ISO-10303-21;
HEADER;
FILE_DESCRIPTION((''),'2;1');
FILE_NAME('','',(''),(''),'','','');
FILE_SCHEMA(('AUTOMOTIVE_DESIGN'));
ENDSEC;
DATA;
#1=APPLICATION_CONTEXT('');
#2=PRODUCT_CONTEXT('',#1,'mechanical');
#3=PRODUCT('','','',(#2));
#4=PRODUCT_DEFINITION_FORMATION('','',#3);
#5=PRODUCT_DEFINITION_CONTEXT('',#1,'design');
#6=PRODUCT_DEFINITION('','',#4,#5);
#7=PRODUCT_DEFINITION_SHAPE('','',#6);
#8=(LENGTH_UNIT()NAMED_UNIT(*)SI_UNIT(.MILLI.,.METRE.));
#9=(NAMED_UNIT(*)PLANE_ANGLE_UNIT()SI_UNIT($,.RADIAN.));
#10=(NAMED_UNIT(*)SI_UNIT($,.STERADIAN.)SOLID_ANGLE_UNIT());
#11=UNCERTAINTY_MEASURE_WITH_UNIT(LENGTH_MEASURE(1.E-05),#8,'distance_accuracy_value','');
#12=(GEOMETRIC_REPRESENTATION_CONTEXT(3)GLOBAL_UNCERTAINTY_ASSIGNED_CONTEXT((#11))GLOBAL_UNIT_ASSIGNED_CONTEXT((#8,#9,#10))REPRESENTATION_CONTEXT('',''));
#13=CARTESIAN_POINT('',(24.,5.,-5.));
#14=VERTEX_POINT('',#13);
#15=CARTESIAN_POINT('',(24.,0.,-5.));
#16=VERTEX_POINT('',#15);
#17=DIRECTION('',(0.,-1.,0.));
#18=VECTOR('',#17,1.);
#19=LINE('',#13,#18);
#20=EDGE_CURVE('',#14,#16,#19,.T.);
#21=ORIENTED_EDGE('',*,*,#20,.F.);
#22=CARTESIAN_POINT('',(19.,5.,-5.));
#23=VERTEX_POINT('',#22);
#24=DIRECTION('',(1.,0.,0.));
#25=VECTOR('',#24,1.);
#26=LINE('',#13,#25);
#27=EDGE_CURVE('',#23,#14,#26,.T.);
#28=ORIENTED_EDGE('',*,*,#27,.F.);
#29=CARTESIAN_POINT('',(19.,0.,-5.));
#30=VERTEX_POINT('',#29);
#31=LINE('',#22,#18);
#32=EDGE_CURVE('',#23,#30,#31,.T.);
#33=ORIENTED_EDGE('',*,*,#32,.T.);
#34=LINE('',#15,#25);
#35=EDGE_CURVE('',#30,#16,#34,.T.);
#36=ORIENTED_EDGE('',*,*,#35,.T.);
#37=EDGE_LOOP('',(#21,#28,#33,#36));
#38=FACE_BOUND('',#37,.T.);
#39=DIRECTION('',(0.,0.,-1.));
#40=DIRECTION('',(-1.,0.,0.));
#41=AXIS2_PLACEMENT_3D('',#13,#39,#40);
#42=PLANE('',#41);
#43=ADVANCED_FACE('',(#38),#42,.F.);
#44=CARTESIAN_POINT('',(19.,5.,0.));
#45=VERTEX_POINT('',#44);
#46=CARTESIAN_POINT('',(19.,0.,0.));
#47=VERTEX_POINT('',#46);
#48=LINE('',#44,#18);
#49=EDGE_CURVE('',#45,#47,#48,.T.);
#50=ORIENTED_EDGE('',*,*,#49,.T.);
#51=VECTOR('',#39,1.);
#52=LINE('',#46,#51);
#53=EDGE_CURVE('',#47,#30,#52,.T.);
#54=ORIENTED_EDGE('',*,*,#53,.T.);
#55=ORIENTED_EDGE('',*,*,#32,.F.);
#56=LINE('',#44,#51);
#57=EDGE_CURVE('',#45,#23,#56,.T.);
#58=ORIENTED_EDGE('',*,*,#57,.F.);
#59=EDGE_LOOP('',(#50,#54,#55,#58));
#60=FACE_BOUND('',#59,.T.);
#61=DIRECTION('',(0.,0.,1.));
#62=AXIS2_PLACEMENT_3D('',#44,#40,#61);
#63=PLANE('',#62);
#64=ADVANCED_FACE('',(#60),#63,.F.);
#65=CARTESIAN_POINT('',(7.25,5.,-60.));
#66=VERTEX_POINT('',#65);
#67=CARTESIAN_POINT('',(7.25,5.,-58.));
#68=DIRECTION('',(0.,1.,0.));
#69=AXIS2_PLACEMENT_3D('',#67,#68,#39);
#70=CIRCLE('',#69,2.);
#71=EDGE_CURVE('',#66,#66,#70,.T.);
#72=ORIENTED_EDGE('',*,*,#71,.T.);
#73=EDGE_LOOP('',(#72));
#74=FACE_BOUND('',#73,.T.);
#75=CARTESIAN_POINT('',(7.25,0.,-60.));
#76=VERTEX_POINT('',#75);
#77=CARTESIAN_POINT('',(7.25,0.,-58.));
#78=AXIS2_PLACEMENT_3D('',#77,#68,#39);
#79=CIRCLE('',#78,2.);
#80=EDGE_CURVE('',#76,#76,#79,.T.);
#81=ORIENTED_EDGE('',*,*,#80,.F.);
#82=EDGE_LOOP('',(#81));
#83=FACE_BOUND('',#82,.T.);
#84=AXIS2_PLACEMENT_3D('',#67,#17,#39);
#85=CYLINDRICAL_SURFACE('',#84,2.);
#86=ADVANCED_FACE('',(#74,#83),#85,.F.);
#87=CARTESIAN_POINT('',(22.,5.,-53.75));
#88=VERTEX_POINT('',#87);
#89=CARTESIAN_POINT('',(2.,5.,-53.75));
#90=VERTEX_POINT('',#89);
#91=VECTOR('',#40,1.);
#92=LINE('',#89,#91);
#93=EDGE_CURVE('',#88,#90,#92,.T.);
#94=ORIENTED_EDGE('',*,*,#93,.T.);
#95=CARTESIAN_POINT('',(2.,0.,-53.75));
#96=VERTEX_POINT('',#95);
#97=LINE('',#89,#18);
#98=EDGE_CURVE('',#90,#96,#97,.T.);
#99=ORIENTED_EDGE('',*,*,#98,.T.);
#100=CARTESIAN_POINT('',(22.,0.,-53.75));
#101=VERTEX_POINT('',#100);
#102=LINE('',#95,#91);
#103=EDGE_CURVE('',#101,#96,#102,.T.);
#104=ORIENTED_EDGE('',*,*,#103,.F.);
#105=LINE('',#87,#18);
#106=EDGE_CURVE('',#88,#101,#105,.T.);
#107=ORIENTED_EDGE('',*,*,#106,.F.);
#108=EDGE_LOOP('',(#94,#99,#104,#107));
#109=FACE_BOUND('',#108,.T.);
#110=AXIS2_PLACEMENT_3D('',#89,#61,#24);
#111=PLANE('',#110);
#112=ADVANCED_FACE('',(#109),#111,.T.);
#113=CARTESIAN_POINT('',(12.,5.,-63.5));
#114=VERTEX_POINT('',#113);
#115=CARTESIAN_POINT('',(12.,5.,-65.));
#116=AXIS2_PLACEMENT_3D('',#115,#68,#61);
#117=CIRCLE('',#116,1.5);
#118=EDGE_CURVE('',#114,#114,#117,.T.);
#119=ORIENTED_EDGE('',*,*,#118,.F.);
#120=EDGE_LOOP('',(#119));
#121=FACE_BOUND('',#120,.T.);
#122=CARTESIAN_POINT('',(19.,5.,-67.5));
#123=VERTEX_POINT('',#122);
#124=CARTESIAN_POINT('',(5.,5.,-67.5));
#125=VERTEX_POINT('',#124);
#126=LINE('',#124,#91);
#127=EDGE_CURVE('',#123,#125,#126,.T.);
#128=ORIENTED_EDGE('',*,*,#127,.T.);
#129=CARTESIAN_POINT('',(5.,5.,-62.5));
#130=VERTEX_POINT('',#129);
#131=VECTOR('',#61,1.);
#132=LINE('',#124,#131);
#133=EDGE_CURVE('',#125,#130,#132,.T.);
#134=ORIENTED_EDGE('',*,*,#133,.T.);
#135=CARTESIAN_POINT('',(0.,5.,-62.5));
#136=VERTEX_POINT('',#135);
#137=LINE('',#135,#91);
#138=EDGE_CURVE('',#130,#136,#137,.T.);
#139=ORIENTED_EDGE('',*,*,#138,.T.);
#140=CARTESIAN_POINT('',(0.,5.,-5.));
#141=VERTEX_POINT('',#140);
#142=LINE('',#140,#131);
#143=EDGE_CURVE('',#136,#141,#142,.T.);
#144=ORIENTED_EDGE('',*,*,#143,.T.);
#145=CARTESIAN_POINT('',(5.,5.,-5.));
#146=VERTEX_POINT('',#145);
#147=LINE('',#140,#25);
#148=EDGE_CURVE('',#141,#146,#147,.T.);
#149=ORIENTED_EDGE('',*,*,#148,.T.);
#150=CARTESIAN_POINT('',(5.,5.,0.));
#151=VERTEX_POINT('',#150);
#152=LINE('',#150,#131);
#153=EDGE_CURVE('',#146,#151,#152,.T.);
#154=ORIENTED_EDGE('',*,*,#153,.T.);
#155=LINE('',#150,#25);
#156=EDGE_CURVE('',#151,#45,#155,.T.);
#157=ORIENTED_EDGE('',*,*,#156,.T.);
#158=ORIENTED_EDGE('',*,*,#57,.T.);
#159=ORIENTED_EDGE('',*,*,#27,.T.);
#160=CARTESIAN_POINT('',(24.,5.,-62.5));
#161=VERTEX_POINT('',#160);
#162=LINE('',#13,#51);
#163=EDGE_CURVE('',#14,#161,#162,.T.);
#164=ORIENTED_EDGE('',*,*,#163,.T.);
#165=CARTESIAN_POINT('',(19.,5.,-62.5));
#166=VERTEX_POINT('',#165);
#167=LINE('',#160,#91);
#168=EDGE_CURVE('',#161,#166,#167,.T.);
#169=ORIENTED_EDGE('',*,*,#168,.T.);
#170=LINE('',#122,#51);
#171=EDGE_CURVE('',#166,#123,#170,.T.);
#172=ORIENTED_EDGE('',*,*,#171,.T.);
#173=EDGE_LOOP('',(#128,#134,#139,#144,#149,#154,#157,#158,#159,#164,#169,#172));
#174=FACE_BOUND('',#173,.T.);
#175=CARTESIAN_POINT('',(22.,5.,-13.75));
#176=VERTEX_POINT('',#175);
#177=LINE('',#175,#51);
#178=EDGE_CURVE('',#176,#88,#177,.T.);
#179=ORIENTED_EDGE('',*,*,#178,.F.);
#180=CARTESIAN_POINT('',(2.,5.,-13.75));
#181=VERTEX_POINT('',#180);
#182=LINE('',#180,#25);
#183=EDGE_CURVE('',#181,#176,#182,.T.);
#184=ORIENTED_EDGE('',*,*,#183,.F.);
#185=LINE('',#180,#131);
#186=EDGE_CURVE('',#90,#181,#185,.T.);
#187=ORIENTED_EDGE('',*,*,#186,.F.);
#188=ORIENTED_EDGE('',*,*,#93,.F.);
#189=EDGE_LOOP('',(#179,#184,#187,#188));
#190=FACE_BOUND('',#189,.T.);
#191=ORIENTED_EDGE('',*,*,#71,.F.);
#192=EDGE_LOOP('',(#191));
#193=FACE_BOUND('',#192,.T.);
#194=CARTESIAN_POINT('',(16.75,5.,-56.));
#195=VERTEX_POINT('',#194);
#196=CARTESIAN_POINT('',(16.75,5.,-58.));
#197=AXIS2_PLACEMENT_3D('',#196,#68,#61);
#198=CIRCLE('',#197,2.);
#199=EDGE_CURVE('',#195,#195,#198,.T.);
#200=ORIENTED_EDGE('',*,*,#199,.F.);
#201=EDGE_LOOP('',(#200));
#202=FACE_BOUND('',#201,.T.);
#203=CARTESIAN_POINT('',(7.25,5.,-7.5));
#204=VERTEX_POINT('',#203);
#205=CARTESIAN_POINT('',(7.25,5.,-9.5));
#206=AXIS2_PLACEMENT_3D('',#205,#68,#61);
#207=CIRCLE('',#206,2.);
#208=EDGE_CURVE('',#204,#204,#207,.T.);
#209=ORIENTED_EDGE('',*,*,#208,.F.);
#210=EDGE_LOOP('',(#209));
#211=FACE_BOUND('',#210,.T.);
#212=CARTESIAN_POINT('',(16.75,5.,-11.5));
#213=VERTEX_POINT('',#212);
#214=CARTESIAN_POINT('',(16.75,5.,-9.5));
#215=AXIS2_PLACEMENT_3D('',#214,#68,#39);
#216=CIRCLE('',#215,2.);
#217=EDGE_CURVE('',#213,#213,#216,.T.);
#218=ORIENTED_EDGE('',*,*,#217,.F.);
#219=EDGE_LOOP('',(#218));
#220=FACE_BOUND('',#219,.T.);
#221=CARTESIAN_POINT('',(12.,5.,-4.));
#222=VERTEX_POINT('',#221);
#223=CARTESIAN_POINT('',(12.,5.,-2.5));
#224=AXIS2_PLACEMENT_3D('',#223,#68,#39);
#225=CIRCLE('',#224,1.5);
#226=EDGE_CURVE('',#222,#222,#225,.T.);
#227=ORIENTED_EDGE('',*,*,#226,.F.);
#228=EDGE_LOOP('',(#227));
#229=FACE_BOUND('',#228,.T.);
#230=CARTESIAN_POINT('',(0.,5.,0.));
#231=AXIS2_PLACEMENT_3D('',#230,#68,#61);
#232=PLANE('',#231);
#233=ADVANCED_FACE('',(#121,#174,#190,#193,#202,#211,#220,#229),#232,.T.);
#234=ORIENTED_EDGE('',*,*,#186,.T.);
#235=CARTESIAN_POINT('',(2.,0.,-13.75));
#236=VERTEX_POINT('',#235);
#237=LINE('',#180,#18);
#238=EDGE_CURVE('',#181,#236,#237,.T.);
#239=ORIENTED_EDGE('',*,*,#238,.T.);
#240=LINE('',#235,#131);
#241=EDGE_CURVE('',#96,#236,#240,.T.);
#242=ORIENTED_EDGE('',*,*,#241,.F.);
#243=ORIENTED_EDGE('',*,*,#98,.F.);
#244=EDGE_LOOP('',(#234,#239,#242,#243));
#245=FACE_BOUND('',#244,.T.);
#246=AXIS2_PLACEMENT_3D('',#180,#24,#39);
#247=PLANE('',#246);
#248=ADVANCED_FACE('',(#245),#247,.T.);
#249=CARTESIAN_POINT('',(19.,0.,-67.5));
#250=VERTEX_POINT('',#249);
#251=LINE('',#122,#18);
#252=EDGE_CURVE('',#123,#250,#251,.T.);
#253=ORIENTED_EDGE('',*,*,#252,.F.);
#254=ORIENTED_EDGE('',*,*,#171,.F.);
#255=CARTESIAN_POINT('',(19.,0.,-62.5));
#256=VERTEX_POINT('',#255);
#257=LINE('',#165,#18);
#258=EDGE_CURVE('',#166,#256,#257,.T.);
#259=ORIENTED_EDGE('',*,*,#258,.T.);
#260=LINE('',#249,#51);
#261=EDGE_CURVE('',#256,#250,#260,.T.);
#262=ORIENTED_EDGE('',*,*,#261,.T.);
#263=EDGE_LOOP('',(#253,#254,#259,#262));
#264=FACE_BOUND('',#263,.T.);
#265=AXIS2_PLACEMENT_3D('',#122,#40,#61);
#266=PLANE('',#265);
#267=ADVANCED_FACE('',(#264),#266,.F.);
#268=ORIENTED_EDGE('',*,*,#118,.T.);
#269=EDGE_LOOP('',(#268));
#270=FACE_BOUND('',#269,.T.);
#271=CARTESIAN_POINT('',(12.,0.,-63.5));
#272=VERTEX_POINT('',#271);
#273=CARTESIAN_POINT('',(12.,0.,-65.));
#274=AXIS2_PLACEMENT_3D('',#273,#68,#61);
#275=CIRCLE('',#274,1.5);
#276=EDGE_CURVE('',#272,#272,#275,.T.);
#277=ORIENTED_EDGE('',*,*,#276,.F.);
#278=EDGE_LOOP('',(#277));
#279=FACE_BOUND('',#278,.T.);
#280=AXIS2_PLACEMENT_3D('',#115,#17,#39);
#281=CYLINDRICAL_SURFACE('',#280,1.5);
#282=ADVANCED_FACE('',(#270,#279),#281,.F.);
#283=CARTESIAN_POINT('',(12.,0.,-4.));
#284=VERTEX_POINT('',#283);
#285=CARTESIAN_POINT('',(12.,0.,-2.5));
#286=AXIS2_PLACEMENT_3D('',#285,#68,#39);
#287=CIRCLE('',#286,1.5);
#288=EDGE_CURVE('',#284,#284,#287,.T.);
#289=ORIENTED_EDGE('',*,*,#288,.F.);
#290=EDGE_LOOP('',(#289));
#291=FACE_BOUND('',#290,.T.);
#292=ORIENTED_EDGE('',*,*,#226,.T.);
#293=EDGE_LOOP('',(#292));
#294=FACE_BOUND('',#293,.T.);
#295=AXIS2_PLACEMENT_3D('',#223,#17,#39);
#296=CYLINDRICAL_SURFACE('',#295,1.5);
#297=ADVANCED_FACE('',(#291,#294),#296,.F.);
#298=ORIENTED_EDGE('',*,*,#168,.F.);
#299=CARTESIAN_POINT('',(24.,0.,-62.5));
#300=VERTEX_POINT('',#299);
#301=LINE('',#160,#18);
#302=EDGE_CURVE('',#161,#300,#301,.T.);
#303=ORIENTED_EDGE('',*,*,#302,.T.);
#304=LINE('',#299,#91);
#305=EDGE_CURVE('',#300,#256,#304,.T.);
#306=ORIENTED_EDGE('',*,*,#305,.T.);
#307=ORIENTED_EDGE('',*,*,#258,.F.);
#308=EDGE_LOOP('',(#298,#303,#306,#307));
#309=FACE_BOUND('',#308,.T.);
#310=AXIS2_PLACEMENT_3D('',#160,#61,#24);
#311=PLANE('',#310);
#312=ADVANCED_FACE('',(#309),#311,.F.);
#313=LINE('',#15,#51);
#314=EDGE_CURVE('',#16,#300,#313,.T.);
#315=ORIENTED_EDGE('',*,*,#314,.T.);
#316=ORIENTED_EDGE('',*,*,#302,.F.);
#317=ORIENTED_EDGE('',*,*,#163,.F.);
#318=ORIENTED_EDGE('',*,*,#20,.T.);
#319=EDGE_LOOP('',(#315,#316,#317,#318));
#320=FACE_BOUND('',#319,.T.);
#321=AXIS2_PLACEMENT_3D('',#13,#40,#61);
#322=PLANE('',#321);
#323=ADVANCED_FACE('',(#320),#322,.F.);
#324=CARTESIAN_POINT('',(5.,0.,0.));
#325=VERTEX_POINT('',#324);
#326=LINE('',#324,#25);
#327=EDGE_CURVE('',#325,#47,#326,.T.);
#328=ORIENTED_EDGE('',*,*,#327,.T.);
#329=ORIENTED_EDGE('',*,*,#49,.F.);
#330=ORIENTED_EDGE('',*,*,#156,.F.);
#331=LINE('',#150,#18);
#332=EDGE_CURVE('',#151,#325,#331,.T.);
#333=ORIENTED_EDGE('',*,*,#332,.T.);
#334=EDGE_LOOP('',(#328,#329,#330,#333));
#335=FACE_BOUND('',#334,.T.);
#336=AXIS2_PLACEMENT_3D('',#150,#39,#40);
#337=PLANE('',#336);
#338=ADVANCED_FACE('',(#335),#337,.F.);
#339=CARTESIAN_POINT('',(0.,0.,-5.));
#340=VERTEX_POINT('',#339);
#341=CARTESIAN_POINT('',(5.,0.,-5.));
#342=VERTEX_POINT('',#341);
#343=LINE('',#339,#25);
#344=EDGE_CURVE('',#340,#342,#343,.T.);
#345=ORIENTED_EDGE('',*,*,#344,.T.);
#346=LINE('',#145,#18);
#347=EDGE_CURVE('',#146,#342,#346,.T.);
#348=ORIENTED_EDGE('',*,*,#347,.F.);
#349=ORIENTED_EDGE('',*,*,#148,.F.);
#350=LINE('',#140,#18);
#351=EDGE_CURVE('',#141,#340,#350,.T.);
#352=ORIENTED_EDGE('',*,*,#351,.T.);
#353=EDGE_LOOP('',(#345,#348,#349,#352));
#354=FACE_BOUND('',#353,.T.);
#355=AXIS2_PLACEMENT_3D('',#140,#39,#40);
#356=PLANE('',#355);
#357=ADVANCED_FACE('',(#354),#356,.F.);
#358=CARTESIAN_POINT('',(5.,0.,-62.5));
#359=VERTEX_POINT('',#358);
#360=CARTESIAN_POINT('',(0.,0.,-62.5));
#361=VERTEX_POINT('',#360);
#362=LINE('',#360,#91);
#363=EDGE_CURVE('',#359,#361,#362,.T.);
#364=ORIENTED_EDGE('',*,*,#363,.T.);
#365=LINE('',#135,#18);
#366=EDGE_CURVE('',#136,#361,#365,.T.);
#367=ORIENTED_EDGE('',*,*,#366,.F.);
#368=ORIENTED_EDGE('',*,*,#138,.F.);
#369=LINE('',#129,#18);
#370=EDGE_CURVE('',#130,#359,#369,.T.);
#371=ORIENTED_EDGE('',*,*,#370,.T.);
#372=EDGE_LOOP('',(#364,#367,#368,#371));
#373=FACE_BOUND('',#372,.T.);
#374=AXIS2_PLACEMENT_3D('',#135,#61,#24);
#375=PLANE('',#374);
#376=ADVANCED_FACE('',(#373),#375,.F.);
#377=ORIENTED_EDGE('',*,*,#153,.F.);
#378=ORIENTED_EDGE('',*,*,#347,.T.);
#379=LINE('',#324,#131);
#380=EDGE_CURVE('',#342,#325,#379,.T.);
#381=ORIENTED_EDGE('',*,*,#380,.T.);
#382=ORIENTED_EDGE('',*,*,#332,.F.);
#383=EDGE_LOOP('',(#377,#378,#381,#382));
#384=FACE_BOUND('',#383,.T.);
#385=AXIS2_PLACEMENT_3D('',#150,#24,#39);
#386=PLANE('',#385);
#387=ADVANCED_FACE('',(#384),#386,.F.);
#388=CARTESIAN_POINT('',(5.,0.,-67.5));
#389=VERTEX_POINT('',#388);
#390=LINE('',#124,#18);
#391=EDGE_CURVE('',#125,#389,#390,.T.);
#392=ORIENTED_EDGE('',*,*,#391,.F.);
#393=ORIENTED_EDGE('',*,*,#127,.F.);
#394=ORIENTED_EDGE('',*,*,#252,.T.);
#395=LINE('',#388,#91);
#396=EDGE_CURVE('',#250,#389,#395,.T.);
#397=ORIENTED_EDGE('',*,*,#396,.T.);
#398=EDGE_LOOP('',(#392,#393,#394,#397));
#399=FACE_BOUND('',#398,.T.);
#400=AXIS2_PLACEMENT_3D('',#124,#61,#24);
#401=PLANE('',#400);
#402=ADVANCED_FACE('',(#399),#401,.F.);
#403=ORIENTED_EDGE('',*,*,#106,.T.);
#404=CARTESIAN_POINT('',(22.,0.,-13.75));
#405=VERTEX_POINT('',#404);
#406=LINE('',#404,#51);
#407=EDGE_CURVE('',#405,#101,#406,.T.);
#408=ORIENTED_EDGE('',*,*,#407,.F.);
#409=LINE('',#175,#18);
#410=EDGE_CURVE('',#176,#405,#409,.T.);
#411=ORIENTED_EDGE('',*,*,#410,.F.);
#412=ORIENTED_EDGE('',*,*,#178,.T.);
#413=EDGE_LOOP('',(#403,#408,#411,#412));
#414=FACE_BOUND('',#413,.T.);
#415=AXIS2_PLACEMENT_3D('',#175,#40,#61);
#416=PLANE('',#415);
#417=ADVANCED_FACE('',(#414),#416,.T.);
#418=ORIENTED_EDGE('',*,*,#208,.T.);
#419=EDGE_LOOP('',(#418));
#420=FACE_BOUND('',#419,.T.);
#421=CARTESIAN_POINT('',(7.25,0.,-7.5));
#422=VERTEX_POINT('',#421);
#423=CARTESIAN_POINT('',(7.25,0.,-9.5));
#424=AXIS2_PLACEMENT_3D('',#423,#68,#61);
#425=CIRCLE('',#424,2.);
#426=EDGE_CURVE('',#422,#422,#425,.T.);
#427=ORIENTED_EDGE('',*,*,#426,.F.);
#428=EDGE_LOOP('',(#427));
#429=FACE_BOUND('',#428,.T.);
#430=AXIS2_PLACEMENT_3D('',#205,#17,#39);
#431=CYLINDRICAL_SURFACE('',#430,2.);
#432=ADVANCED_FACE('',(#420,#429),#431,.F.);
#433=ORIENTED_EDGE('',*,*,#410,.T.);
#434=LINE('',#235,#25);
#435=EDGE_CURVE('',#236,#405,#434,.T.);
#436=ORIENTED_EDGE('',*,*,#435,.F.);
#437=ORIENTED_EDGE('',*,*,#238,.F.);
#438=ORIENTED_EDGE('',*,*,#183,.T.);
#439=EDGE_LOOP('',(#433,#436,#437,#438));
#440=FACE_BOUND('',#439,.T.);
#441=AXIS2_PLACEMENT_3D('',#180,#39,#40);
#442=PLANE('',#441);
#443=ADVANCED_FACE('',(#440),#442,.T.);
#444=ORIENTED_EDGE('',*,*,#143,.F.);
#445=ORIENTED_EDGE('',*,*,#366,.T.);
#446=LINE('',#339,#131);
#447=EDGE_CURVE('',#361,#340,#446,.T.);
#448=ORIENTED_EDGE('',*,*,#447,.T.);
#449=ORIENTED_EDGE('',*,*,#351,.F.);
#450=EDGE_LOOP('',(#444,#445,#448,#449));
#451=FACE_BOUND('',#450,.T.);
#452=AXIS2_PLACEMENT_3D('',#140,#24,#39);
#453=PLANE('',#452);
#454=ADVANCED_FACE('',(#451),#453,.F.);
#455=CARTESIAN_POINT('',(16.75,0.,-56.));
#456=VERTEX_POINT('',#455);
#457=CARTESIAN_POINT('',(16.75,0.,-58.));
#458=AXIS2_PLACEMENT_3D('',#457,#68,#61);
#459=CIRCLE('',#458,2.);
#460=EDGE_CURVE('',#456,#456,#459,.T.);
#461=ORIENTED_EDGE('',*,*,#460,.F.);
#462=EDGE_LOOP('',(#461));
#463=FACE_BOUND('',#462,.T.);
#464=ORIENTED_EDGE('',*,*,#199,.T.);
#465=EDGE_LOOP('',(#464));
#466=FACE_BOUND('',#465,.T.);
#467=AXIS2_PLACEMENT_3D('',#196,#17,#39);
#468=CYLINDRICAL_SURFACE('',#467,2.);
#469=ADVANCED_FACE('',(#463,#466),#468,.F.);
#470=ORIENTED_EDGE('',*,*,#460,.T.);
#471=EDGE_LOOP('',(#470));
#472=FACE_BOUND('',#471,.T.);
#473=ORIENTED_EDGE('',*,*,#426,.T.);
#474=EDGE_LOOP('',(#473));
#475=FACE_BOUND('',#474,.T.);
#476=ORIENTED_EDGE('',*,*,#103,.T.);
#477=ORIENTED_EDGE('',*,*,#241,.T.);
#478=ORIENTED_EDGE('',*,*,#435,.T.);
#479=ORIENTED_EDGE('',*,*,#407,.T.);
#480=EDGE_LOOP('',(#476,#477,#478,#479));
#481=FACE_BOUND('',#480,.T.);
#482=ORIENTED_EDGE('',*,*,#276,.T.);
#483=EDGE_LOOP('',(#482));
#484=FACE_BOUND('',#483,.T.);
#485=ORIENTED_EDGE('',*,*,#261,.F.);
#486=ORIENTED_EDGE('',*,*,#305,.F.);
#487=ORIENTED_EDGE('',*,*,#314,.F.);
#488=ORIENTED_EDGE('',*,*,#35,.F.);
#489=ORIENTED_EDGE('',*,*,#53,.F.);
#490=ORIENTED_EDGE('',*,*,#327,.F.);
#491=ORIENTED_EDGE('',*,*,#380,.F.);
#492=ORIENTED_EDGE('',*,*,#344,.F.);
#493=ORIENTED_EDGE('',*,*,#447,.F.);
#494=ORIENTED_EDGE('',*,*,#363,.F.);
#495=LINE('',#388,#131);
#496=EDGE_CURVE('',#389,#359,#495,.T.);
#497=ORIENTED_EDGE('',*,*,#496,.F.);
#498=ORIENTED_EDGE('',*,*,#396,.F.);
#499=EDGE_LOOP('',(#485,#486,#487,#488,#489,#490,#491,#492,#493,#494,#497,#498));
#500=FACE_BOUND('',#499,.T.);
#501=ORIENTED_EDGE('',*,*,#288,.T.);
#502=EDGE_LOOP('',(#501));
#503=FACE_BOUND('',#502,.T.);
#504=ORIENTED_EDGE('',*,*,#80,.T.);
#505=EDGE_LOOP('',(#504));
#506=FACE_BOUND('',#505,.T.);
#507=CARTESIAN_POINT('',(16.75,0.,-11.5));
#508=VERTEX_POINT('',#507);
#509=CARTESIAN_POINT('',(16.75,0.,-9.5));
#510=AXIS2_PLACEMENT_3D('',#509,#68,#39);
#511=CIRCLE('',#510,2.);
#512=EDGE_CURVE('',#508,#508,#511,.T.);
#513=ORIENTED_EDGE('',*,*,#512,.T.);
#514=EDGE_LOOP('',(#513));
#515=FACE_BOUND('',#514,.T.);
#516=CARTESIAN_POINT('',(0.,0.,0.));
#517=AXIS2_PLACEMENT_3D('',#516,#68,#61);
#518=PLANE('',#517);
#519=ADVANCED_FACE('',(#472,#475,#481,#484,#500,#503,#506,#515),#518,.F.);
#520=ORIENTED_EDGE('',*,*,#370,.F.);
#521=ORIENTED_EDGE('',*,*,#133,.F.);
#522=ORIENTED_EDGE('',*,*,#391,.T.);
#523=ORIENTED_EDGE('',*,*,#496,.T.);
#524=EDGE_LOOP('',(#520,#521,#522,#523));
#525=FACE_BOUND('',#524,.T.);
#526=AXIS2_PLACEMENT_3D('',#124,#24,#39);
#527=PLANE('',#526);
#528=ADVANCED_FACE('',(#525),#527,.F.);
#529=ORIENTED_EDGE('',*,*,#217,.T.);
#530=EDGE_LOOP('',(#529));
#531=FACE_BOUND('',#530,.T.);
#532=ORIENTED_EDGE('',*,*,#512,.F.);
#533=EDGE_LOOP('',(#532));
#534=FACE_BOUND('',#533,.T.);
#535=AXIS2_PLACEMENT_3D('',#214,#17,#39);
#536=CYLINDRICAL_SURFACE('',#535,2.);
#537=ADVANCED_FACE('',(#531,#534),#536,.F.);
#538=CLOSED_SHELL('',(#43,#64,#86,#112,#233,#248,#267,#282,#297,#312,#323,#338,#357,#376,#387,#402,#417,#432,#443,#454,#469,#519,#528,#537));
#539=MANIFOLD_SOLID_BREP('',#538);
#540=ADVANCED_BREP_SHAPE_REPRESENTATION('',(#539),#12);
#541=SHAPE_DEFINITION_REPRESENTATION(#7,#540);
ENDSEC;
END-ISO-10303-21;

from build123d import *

# Parameters (mm, degrees)
SKETCH1_R           = 1.5
SKETCH1_R_2         = 2
SKETCH1_W           = 20
SKETCH1_H           = 40
BOSS_EXTRUDE1_DEPTH = 5


with BuildPart() as part:
    # Sketch1 → Boss-Extrude1 (new body)
    with BuildSketch(Plane(origin=(0, 0, 0), x_dir=(1, 0, 0), z_dir=(0, 1, 0))):
        Polygon((5, 0), (19, 0), (19, 5), (24, 5), (24, 62.5), (19, 62.5), (19, 67.5), (5, 67.5), (5, 62.5), (0, 62.5), (0, 5), (5, 5), align=None)
        with Locations(Location((12, 65, 0), (0, 0, 270))):
            Circle(SKETCH1_R, mode=Mode.SUBTRACT)
        with Locations(Location((12, 2.5, 0), (0, 0, 90))):
            Circle(SKETCH1_R, mode=Mode.SUBTRACT)
        with Locations(Location((16.75, 58, 0), (0, 0, 270))):
            Circle(SKETCH1_R_2, mode=Mode.SUBTRACT)
        with Locations(Location((7.25, 58, 0), (0, 0, 90))):
            Circle(SKETCH1_R_2, mode=Mode.SUBTRACT)
        with Locations(Location((16.75, 9.5, 0), (0, 0, 90))):
            Circle(SKETCH1_R_2, mode=Mode.SUBTRACT)
        with Locations(Location((7.25, 9.5, 0), (0, 0, 270))):
            Circle(SKETCH1_R_2, mode=Mode.SUBTRACT)
        with Locations((12, 33.75)):
            Rectangle(SKETCH1_W, SKETCH1_H, mode=Mode.SUBTRACT)
    extrude(amount=BOSS_EXTRUDE1_DEPTH)


solid = part.part
